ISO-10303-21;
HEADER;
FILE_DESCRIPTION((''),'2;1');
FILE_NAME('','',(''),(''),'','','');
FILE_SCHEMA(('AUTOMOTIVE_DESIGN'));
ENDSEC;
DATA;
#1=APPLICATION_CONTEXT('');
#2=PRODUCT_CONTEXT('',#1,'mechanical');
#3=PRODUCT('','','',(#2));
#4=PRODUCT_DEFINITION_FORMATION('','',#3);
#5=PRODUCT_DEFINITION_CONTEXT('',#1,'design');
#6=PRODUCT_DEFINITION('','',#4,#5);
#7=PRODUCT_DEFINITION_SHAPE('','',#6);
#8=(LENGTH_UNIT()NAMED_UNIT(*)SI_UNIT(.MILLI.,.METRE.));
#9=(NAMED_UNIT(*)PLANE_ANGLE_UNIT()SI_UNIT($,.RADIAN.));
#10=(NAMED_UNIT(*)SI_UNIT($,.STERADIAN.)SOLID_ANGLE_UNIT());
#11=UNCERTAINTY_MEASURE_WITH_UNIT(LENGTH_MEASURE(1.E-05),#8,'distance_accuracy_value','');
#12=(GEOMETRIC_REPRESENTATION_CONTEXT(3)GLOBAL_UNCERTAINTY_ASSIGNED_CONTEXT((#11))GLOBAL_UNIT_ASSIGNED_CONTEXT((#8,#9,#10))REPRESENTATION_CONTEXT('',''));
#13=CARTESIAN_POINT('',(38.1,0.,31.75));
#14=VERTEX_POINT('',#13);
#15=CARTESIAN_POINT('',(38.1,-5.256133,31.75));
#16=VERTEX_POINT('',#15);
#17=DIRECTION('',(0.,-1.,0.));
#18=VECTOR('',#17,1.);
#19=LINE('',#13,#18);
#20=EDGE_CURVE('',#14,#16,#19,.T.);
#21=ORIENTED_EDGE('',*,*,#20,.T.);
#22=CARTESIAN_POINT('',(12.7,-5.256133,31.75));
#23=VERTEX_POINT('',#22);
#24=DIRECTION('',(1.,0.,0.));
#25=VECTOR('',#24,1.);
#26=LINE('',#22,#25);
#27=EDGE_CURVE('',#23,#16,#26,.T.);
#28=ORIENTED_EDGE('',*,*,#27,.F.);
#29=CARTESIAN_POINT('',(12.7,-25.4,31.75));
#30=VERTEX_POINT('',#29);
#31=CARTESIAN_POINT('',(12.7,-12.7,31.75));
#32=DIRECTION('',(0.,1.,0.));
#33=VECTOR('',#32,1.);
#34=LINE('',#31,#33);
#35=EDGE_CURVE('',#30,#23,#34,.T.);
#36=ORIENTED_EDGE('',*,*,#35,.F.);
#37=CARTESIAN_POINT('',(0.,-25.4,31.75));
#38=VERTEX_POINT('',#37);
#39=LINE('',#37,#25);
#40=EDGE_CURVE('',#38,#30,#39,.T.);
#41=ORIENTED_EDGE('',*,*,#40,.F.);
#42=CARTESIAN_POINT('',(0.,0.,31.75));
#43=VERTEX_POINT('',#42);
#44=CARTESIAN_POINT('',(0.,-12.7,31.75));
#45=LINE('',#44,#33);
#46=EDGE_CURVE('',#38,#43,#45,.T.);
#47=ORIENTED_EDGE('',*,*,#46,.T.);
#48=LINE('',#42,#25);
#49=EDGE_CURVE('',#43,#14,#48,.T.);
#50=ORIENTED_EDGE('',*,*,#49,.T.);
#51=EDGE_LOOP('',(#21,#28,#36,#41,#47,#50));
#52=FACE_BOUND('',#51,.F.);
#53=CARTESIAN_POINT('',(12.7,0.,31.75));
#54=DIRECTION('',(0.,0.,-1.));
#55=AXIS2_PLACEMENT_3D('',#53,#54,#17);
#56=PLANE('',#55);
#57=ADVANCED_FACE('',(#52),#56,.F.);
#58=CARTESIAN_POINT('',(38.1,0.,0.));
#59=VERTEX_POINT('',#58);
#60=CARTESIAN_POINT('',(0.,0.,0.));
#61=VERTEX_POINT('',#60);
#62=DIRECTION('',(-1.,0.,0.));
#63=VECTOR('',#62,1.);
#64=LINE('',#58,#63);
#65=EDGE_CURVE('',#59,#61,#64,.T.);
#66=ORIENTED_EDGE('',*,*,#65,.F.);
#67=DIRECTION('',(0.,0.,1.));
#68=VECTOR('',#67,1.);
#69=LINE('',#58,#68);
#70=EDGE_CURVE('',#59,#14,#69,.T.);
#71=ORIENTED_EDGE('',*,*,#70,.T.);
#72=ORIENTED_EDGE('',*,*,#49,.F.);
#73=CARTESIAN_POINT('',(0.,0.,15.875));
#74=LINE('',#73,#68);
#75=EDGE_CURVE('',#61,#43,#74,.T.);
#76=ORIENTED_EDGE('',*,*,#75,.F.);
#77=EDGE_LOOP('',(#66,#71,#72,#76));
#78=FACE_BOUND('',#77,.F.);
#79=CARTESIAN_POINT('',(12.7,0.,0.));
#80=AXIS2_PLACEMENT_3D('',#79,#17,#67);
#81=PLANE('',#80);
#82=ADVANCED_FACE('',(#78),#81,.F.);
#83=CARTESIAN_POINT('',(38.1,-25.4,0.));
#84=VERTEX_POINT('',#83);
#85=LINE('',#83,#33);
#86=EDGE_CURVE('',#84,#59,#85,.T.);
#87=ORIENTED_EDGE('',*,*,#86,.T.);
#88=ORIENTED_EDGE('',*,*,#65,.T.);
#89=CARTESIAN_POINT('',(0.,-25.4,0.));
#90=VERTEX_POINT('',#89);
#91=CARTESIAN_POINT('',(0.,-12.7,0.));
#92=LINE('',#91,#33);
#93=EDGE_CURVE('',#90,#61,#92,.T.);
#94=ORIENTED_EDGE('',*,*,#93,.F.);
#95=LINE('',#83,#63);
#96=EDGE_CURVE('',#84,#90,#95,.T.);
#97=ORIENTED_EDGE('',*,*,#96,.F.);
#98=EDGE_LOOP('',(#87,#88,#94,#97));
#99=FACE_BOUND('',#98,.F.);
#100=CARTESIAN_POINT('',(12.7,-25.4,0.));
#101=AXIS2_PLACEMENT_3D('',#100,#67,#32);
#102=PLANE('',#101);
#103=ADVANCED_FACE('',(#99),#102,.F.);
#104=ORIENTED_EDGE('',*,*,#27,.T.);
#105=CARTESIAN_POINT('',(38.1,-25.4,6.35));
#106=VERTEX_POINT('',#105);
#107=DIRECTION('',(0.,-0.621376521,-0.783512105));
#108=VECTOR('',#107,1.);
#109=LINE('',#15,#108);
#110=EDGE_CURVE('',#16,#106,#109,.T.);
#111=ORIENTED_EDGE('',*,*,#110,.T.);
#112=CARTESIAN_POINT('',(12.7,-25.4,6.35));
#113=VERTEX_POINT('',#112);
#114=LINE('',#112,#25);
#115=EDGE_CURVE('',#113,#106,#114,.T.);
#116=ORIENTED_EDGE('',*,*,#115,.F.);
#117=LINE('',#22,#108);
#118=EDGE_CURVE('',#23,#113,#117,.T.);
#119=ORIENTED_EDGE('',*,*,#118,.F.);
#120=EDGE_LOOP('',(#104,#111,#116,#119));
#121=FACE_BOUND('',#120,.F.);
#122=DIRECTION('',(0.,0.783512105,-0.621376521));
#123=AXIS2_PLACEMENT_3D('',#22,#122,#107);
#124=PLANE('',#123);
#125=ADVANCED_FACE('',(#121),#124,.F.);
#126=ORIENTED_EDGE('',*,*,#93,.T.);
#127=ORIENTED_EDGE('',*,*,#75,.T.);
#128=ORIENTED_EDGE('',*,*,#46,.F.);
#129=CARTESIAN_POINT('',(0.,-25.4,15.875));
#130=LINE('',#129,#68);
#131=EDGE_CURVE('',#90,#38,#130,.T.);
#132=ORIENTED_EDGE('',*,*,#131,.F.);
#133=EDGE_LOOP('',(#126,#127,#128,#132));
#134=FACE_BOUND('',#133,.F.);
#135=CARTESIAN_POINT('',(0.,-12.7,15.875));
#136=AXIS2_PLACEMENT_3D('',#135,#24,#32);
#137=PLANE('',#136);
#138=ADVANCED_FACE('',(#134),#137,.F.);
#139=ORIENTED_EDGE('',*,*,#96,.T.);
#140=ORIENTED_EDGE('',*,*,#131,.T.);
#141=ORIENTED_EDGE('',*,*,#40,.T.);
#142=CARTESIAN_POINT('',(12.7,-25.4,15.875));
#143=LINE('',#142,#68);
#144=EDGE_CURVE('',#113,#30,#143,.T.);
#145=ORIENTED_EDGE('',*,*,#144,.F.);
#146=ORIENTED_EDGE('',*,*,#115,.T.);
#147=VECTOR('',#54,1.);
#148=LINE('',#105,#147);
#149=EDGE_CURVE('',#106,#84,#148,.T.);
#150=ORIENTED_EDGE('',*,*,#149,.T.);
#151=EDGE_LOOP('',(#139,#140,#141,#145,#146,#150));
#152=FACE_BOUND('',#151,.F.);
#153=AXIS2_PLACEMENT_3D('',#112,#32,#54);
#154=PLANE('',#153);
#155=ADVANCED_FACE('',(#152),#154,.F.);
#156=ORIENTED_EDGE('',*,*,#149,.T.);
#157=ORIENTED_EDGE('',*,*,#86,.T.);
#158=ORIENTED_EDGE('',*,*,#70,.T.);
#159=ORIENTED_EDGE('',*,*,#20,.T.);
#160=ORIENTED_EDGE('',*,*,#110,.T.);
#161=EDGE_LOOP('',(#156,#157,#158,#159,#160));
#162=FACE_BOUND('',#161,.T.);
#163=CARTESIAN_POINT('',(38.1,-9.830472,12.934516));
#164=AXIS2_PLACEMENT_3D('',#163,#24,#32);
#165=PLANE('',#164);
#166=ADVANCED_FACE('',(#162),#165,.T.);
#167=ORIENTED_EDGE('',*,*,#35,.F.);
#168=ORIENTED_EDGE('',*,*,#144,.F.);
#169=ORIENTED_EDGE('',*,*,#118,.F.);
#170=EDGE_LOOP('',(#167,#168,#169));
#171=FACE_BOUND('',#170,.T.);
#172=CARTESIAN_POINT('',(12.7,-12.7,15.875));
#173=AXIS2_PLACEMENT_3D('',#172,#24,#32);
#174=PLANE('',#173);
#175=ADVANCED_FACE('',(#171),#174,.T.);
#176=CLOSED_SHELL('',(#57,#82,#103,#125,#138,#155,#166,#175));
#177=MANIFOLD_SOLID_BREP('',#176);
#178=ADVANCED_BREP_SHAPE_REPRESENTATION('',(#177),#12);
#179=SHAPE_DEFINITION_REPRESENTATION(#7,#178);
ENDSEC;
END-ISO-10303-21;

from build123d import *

# Parameters (mm, degrees)
F0_W     = 25.4
F0_H     = 31.75
F1_DEPTH = 12.7
F3_DEPTH = 25.4


with BuildPart() as f1:
    # F0 (on Right) → F1 (new body)
    with BuildSketch(Plane.YZ):
        with Locations((-12.7, 15.875)):
            Rectangle(F0_W, F0_H)
    extrude(amount=F1_DEPTH)

    # F2 (on face) → F3 (join)
    with BuildSketch(Plane.YZ.offset(12.7)):
        Polygon((0, 0), (0, 31.75), (-5.256133, 31.75), (-25.4, 6.35), (-25.4, 0), align=None)
    extrude(amount=F3_DEPTH)


solid = f1.part
